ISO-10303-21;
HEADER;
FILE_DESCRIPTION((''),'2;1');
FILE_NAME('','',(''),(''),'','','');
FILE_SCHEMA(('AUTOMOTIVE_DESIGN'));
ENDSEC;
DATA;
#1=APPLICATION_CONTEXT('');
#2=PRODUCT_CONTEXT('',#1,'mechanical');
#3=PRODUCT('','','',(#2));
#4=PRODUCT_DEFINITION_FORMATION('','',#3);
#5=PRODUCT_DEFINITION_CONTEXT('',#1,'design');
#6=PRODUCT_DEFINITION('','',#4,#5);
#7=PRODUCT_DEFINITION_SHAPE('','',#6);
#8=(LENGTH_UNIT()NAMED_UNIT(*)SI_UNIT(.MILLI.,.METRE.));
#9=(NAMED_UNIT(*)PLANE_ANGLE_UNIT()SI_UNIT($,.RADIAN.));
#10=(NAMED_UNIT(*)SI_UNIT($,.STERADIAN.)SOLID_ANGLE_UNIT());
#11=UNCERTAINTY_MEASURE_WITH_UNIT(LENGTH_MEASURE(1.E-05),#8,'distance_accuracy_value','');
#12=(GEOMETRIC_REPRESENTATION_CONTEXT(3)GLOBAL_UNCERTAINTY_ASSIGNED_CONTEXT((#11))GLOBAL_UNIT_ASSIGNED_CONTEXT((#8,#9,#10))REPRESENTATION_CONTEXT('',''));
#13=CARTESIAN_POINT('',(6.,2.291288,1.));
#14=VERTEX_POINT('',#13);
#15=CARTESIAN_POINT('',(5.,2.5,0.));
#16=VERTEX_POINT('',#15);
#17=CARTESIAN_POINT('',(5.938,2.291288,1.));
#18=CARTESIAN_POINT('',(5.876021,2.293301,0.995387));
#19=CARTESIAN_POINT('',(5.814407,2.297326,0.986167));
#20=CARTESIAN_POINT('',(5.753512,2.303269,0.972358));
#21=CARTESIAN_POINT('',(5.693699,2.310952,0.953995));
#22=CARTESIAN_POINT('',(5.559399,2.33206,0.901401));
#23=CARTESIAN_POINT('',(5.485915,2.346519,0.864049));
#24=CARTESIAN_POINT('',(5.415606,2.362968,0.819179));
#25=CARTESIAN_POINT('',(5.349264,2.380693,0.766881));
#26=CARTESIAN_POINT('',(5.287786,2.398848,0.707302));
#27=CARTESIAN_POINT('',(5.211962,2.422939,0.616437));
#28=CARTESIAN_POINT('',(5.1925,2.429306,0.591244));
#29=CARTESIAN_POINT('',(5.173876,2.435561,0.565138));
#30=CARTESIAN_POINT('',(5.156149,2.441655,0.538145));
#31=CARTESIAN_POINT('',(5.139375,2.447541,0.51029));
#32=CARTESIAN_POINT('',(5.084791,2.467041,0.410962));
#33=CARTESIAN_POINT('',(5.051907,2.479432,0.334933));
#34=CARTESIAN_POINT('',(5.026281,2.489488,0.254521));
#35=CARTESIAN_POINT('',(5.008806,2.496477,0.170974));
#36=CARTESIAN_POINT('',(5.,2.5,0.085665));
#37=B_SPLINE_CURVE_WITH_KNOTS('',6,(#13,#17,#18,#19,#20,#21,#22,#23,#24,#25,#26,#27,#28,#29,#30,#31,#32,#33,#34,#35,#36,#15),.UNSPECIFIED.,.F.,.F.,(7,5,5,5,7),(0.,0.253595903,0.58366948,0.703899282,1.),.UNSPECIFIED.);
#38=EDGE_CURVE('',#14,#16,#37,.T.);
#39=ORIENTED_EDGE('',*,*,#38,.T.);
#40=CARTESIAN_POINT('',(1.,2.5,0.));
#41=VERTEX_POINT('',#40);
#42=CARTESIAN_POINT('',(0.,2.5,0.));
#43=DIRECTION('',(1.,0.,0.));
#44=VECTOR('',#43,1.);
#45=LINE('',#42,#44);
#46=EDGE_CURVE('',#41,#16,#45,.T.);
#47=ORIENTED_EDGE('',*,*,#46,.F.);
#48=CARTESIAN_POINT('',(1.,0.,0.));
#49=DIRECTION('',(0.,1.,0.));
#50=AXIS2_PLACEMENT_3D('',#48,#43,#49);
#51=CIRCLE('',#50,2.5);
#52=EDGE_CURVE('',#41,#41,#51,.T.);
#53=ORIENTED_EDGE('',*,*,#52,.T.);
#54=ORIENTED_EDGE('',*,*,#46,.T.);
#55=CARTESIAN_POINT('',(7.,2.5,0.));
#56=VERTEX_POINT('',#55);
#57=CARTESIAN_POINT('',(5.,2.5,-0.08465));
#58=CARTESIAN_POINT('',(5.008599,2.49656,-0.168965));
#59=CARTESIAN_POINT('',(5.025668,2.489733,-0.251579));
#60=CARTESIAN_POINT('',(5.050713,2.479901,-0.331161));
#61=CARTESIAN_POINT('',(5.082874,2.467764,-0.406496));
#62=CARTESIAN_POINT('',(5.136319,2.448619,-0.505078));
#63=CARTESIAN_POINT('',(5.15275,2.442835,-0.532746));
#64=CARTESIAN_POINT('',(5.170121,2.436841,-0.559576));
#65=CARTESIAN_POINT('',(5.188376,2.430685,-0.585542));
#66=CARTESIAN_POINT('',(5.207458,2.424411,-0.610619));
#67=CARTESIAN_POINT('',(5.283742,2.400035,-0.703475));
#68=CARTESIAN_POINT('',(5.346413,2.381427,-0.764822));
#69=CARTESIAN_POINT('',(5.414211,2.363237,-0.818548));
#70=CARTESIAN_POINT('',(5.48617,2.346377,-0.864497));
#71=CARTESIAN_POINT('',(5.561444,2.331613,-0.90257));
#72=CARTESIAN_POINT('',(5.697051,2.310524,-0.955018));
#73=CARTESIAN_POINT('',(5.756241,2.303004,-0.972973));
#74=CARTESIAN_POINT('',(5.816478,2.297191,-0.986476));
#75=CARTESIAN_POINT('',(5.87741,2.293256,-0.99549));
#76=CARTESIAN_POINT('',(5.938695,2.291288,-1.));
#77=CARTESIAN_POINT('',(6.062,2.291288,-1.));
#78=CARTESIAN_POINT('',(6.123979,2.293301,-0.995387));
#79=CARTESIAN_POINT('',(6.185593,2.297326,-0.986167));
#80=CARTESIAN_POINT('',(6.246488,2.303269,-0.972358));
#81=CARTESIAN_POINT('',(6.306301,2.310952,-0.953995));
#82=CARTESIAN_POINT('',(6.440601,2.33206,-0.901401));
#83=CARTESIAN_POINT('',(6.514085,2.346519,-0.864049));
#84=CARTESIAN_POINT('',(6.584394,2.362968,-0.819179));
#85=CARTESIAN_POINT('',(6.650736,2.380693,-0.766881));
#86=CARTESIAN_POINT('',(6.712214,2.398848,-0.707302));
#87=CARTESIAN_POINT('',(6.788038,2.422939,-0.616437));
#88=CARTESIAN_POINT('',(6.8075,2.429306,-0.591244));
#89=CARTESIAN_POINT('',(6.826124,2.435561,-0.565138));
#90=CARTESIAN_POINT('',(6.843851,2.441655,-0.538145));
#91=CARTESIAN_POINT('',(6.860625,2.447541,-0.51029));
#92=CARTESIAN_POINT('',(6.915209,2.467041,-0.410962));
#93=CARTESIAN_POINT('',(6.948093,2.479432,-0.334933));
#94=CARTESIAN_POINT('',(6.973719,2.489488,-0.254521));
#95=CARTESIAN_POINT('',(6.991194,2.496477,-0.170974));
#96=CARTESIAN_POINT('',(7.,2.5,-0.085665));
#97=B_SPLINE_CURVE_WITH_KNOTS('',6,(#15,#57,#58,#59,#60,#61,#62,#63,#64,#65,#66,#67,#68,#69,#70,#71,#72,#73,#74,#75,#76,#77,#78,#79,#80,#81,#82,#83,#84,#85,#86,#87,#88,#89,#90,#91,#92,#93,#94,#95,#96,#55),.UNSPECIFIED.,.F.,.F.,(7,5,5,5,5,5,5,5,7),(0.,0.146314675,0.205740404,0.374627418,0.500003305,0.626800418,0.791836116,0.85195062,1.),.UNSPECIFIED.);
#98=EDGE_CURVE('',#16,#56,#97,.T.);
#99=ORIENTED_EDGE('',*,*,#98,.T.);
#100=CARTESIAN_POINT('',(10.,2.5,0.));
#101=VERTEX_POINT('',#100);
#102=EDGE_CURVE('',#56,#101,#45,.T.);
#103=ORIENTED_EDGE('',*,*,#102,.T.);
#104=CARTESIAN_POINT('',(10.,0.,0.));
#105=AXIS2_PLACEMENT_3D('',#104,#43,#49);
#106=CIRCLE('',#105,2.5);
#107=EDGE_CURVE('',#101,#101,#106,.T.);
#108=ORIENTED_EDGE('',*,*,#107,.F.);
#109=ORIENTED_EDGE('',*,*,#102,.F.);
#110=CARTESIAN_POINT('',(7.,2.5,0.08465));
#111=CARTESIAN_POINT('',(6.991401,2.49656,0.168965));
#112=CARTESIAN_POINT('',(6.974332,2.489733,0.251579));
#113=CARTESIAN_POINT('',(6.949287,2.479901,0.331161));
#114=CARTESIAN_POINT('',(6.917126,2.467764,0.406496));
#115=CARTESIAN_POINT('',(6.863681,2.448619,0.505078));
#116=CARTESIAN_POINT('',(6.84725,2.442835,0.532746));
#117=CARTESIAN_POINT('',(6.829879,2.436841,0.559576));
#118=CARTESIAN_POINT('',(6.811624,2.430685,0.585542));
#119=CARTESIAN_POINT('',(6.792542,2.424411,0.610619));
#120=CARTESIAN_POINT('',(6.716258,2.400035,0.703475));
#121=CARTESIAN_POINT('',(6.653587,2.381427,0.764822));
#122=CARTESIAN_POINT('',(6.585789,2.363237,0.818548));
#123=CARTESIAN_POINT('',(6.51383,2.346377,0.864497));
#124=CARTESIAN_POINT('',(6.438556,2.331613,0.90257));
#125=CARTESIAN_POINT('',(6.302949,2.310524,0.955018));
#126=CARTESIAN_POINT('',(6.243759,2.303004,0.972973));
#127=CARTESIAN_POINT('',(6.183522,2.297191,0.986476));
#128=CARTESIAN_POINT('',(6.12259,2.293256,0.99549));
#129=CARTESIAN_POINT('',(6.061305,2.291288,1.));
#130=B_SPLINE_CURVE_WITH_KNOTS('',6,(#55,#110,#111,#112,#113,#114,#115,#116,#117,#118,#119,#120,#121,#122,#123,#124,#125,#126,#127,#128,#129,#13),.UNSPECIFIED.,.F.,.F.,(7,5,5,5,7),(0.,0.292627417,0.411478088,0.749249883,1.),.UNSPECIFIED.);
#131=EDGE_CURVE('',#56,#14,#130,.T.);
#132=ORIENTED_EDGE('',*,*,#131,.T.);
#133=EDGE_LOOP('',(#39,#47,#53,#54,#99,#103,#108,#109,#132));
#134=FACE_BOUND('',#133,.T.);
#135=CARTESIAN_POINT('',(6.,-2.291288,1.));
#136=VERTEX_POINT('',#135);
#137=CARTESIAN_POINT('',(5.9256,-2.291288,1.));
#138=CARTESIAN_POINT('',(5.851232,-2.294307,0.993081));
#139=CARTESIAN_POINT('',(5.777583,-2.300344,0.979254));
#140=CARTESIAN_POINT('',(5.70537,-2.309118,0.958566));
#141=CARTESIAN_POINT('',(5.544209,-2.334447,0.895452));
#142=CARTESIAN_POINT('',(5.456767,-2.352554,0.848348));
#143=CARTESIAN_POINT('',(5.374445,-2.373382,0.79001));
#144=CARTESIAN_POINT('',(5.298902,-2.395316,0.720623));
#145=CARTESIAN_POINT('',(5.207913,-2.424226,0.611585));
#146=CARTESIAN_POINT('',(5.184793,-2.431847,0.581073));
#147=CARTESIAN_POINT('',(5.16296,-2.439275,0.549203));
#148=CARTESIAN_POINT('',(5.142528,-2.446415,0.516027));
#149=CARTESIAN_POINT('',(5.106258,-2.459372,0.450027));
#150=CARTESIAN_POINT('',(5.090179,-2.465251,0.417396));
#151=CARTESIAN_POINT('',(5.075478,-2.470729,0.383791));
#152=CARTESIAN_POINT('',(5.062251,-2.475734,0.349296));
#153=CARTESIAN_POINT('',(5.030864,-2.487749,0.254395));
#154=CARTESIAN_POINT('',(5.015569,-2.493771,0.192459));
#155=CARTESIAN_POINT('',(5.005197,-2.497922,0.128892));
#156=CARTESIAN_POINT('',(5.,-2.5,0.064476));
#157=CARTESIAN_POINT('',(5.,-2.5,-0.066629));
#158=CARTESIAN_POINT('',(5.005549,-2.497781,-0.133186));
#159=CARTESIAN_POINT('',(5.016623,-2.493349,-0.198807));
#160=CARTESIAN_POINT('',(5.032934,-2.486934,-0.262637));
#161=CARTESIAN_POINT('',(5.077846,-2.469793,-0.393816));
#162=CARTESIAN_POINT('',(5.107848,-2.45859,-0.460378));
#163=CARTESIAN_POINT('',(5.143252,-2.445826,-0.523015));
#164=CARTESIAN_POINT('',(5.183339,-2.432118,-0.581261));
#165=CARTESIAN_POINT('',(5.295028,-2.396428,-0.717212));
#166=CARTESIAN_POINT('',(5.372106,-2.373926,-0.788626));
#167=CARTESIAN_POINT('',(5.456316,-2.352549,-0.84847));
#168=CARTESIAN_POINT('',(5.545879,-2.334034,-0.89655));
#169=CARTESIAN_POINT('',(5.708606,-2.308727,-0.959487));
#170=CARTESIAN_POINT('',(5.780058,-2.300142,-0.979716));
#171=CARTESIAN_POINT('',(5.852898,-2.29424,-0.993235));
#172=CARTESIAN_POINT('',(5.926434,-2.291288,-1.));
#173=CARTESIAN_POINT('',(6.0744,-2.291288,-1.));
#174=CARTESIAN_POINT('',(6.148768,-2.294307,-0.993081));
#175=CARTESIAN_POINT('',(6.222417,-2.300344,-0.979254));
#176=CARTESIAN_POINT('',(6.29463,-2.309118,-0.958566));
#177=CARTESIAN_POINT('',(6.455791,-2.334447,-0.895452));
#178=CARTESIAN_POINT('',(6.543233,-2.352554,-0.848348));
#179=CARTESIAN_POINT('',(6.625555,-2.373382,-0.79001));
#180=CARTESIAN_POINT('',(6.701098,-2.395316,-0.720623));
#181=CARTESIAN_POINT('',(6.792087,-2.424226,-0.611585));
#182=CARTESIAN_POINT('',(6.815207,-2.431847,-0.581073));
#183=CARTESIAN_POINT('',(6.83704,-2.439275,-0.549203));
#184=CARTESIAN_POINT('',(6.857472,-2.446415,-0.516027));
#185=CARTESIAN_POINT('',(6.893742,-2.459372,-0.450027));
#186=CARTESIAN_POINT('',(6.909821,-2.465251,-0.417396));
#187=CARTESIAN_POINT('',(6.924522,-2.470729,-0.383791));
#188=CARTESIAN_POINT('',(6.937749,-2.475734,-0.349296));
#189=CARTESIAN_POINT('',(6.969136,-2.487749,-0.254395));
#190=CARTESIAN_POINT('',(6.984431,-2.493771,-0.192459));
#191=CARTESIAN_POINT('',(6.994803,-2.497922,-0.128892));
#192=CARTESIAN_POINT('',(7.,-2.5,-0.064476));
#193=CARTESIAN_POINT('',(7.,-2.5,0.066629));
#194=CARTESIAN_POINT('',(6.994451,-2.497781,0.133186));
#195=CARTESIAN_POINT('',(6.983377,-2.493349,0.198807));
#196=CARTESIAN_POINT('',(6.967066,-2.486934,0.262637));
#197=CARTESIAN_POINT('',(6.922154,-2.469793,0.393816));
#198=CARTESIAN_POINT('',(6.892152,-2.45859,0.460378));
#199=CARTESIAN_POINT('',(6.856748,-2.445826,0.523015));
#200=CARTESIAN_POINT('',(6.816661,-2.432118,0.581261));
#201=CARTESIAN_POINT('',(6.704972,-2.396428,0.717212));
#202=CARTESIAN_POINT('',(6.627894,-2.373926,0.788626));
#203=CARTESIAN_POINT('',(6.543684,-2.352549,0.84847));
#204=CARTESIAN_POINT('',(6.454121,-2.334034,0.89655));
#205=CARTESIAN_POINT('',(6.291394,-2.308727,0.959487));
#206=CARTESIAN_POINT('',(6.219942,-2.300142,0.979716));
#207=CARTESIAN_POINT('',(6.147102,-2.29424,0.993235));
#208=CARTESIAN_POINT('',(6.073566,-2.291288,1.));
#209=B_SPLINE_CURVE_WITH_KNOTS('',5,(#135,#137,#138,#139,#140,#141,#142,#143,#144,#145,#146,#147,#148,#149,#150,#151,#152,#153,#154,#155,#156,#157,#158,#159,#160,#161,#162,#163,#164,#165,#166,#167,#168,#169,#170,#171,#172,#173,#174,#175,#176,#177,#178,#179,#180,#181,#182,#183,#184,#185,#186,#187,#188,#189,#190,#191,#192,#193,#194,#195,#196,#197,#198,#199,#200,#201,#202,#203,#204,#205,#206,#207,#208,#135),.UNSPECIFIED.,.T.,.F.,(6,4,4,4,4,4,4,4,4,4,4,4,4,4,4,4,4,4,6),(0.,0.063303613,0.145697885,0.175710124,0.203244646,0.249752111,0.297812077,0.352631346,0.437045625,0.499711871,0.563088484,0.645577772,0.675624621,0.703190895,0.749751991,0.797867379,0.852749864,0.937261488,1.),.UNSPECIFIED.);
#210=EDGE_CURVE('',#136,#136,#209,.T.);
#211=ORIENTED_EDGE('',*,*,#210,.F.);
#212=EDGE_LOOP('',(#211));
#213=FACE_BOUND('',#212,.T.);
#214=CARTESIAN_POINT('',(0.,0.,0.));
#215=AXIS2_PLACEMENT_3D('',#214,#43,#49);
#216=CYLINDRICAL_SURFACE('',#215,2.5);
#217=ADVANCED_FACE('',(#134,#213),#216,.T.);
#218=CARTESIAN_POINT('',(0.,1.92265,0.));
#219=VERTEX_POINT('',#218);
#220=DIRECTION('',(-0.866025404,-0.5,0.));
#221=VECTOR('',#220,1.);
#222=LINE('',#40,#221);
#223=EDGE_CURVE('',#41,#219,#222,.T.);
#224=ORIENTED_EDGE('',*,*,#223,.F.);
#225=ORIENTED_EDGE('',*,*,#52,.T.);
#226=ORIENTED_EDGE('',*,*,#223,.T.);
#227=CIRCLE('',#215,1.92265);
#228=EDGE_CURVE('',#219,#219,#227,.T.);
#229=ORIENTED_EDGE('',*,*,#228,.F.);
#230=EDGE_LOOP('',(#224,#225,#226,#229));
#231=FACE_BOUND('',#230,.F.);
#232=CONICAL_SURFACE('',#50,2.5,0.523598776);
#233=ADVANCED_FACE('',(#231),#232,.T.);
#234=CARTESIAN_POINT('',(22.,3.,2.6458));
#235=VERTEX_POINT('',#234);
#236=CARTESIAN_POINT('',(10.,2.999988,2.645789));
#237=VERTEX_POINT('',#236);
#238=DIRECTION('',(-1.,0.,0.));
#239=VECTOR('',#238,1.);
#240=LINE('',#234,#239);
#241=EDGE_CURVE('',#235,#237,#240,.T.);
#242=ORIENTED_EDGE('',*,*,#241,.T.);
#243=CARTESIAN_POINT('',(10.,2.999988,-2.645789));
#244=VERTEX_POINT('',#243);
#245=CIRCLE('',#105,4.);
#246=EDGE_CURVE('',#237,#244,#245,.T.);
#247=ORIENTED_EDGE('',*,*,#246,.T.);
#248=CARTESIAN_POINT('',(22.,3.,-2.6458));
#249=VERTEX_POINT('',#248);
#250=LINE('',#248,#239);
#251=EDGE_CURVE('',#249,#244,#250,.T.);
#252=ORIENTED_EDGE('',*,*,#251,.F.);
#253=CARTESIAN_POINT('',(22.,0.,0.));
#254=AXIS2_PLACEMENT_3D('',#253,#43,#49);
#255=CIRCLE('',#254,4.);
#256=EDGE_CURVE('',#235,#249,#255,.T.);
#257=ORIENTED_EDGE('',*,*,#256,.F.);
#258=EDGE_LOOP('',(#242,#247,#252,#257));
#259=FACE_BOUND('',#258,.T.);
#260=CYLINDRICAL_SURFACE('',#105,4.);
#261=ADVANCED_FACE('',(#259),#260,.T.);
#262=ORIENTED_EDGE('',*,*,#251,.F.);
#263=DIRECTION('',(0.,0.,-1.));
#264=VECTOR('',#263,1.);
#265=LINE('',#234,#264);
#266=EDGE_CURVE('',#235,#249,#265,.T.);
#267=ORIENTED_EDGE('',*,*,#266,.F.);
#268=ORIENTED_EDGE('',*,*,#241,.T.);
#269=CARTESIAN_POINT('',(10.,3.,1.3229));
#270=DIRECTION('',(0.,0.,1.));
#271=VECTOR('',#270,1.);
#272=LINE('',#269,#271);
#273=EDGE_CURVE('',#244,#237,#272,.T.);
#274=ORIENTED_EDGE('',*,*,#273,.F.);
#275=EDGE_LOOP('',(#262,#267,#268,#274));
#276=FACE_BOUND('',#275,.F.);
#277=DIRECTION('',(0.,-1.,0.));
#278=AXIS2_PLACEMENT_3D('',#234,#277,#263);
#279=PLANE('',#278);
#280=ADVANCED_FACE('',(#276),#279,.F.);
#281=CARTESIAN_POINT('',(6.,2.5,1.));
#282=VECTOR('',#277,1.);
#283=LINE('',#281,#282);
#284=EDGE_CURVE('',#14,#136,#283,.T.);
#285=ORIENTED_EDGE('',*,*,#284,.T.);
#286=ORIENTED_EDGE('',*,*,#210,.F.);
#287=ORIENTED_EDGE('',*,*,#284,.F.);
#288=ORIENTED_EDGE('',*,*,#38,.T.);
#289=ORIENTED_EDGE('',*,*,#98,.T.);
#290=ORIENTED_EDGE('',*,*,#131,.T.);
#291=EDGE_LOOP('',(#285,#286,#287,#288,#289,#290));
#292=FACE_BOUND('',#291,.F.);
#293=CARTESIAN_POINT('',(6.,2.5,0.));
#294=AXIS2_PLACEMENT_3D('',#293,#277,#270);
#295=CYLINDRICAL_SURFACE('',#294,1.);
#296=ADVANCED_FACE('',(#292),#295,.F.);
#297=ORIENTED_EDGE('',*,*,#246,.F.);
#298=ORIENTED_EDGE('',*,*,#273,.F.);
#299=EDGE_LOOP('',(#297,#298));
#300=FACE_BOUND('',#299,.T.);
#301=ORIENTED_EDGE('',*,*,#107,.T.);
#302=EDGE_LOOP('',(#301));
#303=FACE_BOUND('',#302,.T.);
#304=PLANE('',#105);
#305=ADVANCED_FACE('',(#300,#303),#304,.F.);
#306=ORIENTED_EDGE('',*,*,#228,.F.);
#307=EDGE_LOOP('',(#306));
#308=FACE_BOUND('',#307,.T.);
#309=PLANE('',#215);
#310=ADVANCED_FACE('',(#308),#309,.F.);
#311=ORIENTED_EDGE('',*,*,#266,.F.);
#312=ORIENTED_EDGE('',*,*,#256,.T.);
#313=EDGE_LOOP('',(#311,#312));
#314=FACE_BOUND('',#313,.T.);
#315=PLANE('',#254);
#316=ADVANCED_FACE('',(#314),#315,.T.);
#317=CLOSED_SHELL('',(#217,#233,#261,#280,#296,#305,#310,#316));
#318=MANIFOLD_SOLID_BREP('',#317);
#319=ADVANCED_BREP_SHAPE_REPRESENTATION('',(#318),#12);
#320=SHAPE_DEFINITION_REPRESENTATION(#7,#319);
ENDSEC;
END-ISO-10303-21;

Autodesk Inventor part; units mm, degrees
ref_plane "YZ Plane" through (0, 0, 0) normal (1, 0, 0) x (0, 1, 0)
ref_plane "XY Plane" through (0, 0, 0) normal (0, 0, 1) x (1, 0, 0)
sketch "Sketch1" plane through (0, 0, 0) normal (0, 0, 1) x (1, 0, 0)
  line L0 (0, 0) -> (51.053, 0) construction
  line L1 (0, 0) -> (0, 2.5)
  line L2 (0, 2.5) -> (10, 2.5)
  line L3 (10, 2.5) -> (10, 4)
  line L4 (10, 4) -> (22, 4)
  line L5 (22, 4) -> (22, 0)
  line L6 (22, 0) -> (0, 0)
  dimension "d0" = 5
  dimension "d1" = 8
  dimension "d2" = 10
  dimension "d3" = 12
revolve "Revolution1" add sketch "Sketch1" angle 360 about axis through (0, 0, 0) along (1, 0, 0)
sketch "Sketch2" plane through (22, 0, 0) normal (1, 0, 0) x (0, 0, -1)
  circle A0 centre (0, 0) radius 4 projected
  circle A1 centre (0, 0) radius 2.5 construction
  line L0 (-2.6458, 3) -> (2.6458, 3)
  arc A2 (2.6458, 3) -> (-2.6458, 3) centre (0, 0) ccw
  dimension "d5" = 3
extrude "Extrusion1" cut sketch "Sketch2" against normal through all contours L0 A0 picked at (-0.6179, 3.1815)
ref_plane "Work Plane1" through (5, 2.5, 0) normal (0, 1, 0) x (-1, 0, 0)
sketch "Sketch3" plane through (5, 2.5, 0) normal (0, 1, 0) x (-1, 0, 0)
  line L0 (-5, 2.5) -> (-5, -2.5) construction
  line L1 (5, 2.5) -> (5, -2.5) construction
  line L2 (-5, 2.6458) -> (-5, -2.6458) construction
  line L3 (-5, 0) -> (5, 0) construction
  point P0 (-1, 0)
  dimension "d8" = 4
hole "Hole1" at (6, 2.5, 0) direction (0, -1, 0) diameter 2 end through all
chamfer "Chamfer1" distance 1 angle 30 1 edges at (0, -2.5, 0) measured on face at (5.3098, -2.0345, -1.4529)
properties part number "P12" material "Aluminium"
